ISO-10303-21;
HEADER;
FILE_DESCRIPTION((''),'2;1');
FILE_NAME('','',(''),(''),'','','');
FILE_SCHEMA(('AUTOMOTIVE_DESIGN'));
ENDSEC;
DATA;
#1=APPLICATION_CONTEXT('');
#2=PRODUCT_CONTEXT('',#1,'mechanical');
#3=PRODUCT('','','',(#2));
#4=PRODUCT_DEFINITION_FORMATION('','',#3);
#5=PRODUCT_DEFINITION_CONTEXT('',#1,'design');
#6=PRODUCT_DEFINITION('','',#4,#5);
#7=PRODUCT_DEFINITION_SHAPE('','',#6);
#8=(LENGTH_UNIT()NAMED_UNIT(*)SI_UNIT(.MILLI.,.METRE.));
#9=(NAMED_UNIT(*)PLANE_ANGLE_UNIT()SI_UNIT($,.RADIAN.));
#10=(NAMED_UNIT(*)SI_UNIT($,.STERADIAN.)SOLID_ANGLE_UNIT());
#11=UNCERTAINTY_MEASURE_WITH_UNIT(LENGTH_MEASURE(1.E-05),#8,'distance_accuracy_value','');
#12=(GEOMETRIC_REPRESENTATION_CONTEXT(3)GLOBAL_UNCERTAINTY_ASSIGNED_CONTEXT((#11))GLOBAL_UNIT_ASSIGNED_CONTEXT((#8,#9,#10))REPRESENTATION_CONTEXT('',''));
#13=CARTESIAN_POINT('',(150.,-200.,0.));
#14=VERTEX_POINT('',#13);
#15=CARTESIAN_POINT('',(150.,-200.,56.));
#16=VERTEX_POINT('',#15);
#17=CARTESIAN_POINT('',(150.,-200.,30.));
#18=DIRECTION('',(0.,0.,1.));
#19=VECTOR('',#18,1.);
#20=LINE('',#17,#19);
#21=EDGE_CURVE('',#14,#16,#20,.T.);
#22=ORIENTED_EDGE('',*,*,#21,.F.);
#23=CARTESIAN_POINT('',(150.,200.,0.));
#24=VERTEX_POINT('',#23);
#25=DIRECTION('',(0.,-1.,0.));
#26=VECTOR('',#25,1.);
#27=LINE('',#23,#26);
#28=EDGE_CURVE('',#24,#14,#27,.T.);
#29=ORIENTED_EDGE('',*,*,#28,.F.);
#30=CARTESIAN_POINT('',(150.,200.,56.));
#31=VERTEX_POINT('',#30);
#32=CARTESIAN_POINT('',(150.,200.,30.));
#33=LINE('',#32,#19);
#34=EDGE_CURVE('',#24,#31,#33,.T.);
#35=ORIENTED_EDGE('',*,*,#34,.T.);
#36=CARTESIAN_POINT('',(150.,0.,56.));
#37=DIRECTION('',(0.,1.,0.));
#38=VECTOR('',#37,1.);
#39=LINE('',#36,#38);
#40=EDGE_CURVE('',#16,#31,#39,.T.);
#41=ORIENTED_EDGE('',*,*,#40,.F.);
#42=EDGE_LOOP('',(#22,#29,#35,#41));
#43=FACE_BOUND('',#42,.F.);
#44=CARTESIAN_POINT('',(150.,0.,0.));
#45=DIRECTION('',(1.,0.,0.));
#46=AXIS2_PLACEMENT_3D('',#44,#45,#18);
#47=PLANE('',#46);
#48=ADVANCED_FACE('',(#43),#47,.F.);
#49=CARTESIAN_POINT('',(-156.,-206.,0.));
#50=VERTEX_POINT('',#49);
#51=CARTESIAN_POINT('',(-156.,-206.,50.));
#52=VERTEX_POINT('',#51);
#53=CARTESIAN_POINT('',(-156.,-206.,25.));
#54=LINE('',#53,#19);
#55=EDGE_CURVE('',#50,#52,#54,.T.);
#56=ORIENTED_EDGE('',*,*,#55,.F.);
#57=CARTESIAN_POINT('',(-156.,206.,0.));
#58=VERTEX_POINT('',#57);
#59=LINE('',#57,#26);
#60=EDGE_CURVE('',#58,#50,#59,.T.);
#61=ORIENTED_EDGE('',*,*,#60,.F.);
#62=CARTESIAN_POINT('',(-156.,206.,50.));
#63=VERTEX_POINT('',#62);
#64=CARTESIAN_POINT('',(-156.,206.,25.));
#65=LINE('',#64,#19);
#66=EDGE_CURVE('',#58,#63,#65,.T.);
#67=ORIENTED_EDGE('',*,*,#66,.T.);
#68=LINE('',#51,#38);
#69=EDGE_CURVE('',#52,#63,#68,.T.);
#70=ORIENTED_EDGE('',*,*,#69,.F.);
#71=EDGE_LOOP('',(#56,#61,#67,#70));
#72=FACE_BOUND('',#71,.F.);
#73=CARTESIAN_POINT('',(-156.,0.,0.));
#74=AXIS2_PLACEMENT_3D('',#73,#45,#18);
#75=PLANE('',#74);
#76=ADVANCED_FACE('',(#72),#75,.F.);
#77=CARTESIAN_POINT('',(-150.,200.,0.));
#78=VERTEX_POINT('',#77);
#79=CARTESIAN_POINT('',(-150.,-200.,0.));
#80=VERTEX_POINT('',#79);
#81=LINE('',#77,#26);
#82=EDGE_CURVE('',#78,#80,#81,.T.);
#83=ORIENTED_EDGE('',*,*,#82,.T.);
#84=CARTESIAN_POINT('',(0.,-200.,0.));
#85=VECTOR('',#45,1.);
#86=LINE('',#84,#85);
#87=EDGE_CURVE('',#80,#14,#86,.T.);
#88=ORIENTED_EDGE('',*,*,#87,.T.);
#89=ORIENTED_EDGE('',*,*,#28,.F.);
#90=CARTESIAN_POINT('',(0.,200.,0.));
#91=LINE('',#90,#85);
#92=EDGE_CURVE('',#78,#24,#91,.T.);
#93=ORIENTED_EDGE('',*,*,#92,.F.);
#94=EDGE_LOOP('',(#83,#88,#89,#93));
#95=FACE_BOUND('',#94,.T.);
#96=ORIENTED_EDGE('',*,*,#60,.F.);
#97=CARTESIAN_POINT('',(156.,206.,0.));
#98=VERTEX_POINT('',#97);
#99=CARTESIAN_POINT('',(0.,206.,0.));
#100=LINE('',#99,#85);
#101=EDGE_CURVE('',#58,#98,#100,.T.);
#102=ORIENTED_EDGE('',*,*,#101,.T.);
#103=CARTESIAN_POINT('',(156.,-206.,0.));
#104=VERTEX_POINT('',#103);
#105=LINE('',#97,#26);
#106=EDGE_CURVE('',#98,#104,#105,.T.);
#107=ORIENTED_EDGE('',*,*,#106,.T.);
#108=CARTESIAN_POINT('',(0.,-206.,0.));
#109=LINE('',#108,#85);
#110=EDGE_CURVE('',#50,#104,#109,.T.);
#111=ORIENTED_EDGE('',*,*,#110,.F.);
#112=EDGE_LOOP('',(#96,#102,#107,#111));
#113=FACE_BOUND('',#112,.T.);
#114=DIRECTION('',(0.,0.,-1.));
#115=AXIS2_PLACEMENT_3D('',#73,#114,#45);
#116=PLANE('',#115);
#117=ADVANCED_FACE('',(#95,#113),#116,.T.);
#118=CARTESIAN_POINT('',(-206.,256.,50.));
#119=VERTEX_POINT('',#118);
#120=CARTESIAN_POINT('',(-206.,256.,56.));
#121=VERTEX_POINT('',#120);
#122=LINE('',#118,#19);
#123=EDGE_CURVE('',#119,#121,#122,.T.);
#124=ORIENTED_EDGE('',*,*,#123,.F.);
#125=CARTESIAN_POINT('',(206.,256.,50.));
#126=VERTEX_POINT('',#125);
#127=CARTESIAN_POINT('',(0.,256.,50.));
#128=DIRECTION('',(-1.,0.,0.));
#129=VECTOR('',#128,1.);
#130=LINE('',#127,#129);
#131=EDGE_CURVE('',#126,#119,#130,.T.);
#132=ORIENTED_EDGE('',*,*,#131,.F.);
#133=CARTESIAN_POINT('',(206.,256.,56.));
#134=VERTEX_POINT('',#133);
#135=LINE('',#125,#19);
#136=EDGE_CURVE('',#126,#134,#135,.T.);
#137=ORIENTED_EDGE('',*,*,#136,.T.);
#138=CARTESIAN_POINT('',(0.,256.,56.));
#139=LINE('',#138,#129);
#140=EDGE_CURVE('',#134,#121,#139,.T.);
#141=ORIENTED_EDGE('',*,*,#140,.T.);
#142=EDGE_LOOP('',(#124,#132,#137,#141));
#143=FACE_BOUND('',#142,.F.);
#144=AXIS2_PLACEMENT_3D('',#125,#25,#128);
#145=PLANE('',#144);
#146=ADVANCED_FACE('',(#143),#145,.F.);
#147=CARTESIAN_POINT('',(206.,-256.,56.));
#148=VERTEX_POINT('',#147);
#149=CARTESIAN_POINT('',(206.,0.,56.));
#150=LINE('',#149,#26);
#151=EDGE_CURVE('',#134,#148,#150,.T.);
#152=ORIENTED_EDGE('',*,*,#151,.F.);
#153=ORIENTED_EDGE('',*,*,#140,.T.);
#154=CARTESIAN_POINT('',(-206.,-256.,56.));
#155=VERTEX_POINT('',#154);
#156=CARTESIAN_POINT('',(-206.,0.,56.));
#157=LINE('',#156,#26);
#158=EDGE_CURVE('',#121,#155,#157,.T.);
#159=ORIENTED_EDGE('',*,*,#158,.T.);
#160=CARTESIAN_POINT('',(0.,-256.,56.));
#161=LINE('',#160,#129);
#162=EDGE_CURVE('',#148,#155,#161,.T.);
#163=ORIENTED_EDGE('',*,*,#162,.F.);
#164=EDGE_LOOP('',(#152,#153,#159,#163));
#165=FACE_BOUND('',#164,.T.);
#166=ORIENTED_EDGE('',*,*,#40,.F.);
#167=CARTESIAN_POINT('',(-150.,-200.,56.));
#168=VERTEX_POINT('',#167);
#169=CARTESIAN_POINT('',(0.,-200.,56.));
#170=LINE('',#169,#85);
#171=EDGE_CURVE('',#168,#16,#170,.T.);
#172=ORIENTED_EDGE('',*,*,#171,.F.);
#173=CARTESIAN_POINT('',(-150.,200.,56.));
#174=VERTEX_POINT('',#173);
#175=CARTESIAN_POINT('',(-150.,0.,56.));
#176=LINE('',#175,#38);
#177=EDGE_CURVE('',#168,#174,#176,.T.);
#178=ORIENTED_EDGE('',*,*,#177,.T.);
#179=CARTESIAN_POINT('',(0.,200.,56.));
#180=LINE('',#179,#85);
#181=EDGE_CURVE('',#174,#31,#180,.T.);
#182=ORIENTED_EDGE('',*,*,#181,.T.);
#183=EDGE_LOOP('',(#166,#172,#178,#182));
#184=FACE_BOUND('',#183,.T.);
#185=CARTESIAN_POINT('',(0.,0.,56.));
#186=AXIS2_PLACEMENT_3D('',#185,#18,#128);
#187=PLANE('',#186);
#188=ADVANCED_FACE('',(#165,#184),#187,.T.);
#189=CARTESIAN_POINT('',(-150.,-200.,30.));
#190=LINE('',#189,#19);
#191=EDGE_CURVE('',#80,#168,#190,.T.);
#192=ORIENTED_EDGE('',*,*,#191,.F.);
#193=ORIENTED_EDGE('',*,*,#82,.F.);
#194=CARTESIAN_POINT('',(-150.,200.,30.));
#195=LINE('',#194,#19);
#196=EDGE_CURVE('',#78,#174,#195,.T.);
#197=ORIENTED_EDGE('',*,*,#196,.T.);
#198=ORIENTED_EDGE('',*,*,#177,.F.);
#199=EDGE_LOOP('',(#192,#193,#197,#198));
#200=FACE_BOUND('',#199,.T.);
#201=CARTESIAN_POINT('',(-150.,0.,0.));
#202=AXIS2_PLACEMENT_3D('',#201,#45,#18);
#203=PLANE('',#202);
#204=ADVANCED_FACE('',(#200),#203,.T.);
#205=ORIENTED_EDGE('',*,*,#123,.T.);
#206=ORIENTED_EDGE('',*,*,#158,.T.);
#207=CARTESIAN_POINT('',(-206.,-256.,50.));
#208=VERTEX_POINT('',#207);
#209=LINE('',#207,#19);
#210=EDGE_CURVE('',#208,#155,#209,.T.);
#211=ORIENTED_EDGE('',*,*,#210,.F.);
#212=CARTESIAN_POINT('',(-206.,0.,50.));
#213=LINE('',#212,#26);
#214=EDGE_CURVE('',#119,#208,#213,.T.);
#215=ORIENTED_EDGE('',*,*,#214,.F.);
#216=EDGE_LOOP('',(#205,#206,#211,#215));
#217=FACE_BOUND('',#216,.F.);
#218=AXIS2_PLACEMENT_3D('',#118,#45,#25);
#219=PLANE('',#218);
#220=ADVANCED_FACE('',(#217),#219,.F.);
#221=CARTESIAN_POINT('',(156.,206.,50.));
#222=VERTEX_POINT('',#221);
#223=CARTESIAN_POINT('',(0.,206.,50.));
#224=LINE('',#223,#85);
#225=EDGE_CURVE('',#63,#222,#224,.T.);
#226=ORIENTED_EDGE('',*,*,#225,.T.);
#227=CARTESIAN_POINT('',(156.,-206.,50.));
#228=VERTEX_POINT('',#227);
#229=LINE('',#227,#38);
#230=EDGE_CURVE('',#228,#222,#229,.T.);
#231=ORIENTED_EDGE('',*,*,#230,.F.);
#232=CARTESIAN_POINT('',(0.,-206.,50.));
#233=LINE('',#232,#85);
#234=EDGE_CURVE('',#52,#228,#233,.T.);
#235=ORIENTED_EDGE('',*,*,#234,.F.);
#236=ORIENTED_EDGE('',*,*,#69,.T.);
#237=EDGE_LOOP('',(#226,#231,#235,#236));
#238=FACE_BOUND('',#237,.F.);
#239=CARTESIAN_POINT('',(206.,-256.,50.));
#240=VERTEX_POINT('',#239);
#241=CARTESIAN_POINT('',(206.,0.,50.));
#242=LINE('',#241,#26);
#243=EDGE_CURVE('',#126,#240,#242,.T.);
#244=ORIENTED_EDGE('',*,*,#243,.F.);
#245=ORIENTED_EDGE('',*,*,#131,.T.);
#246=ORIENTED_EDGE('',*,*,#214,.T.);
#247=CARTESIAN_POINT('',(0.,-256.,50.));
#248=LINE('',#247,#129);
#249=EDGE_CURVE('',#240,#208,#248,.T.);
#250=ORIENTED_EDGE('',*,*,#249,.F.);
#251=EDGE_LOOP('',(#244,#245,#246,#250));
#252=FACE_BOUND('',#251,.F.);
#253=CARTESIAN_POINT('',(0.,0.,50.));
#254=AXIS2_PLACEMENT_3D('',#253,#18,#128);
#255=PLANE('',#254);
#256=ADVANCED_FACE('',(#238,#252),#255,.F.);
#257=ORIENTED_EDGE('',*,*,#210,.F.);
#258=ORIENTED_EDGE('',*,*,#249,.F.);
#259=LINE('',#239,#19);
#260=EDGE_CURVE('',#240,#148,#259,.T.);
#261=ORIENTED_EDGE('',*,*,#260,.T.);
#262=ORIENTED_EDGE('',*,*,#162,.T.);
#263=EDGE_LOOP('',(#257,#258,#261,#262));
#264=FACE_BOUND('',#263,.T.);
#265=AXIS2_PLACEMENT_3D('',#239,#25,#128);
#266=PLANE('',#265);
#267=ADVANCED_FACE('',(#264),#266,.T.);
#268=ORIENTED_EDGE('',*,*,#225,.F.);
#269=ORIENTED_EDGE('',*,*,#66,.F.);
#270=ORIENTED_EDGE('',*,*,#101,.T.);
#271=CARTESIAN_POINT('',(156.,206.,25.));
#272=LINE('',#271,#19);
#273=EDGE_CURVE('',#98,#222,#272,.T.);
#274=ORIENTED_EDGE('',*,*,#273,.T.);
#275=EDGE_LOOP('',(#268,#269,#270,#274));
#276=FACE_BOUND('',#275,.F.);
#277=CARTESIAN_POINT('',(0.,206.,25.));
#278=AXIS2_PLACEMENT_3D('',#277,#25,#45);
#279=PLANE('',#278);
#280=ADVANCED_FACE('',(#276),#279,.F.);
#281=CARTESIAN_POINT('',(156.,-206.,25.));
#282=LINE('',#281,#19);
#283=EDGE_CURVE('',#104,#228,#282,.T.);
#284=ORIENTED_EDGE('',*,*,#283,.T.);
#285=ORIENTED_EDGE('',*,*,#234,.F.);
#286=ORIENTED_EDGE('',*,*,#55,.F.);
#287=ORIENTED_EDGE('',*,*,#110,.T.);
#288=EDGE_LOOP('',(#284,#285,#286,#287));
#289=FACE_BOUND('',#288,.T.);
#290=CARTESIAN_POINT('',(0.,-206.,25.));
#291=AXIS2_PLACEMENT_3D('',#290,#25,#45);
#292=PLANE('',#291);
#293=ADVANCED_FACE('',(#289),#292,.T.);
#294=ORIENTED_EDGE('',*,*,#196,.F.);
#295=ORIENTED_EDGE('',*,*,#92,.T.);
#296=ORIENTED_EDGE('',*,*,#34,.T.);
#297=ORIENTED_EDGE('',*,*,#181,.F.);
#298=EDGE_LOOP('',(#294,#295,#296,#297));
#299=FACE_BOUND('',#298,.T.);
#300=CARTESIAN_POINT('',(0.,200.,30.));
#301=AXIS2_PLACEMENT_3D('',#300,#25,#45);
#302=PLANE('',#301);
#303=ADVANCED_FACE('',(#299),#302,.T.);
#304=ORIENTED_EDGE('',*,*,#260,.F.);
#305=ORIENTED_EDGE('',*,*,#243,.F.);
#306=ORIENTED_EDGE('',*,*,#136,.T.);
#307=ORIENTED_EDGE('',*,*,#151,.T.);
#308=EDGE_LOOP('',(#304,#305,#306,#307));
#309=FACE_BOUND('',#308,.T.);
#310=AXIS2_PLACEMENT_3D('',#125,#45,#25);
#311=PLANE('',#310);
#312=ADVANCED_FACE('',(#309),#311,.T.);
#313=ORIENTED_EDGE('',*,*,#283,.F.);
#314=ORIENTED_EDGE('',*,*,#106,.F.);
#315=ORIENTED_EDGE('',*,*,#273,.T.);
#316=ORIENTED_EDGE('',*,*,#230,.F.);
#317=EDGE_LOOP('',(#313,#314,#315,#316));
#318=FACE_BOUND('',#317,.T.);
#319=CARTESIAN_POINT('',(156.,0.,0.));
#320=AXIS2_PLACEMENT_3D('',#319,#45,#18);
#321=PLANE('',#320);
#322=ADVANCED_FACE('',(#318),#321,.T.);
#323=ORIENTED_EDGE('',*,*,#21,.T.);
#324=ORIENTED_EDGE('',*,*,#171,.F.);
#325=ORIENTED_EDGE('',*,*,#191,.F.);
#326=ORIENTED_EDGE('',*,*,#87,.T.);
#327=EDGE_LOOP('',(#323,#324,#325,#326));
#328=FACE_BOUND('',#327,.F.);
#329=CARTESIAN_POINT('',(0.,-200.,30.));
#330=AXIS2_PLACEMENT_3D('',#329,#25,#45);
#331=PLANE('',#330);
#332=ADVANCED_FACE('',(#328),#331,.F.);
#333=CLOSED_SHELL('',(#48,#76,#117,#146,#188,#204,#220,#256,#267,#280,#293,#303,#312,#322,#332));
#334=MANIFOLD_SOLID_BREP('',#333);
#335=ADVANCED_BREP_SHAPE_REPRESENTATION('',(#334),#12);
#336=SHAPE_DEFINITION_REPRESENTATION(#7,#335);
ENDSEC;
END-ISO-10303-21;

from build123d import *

# Parameters (mm, degrees)
SKETCH051_W  = 300
SKETCH051_H  = 60
PAD010_DEPTH = 200
SKETCH052_W  = 312
SKETCH052_H  = 50
PAD011_DEPTH = 206
SKETCH053_W  = 412
SKETCH053_H  = 512
PAD012_DEPTH = 6


with BuildPart() as body008:
    # Sketch051 → Pad010 (new body, symmetric)
    with BuildSketch(Plane.XZ):
        with Locations((0, 30)):
            Rectangle(SKETCH051_W, SKETCH051_H)
    extrude(amount=PAD010_DEPTH, both=True)


with BuildPart() as cut006:
    # Sketch052 → Pad011 (new body, symmetric)
    with BuildSketch(Plane.XZ):
        with Locations((0, 25)):
            Rectangle(SKETCH052_W, SKETCH052_H)
    extrude(amount=PAD011_DEPTH, both=True)

    # Sketch053 (on Face3 of Pad011) → Pad012 (join)
    with BuildSketch(Plane(origin=(0, 0, 50), x_dir=(-1, 0, 0), z_dir=(0, 0, 1))):
        Rectangle(SKETCH053_W, SKETCH053_H)
    extrude(amount=PAD012_DEPTH)

    # Cut006: cut Body008
    add(body008.part, mode=Mode.SUBTRACT)


solid = cut006.part
